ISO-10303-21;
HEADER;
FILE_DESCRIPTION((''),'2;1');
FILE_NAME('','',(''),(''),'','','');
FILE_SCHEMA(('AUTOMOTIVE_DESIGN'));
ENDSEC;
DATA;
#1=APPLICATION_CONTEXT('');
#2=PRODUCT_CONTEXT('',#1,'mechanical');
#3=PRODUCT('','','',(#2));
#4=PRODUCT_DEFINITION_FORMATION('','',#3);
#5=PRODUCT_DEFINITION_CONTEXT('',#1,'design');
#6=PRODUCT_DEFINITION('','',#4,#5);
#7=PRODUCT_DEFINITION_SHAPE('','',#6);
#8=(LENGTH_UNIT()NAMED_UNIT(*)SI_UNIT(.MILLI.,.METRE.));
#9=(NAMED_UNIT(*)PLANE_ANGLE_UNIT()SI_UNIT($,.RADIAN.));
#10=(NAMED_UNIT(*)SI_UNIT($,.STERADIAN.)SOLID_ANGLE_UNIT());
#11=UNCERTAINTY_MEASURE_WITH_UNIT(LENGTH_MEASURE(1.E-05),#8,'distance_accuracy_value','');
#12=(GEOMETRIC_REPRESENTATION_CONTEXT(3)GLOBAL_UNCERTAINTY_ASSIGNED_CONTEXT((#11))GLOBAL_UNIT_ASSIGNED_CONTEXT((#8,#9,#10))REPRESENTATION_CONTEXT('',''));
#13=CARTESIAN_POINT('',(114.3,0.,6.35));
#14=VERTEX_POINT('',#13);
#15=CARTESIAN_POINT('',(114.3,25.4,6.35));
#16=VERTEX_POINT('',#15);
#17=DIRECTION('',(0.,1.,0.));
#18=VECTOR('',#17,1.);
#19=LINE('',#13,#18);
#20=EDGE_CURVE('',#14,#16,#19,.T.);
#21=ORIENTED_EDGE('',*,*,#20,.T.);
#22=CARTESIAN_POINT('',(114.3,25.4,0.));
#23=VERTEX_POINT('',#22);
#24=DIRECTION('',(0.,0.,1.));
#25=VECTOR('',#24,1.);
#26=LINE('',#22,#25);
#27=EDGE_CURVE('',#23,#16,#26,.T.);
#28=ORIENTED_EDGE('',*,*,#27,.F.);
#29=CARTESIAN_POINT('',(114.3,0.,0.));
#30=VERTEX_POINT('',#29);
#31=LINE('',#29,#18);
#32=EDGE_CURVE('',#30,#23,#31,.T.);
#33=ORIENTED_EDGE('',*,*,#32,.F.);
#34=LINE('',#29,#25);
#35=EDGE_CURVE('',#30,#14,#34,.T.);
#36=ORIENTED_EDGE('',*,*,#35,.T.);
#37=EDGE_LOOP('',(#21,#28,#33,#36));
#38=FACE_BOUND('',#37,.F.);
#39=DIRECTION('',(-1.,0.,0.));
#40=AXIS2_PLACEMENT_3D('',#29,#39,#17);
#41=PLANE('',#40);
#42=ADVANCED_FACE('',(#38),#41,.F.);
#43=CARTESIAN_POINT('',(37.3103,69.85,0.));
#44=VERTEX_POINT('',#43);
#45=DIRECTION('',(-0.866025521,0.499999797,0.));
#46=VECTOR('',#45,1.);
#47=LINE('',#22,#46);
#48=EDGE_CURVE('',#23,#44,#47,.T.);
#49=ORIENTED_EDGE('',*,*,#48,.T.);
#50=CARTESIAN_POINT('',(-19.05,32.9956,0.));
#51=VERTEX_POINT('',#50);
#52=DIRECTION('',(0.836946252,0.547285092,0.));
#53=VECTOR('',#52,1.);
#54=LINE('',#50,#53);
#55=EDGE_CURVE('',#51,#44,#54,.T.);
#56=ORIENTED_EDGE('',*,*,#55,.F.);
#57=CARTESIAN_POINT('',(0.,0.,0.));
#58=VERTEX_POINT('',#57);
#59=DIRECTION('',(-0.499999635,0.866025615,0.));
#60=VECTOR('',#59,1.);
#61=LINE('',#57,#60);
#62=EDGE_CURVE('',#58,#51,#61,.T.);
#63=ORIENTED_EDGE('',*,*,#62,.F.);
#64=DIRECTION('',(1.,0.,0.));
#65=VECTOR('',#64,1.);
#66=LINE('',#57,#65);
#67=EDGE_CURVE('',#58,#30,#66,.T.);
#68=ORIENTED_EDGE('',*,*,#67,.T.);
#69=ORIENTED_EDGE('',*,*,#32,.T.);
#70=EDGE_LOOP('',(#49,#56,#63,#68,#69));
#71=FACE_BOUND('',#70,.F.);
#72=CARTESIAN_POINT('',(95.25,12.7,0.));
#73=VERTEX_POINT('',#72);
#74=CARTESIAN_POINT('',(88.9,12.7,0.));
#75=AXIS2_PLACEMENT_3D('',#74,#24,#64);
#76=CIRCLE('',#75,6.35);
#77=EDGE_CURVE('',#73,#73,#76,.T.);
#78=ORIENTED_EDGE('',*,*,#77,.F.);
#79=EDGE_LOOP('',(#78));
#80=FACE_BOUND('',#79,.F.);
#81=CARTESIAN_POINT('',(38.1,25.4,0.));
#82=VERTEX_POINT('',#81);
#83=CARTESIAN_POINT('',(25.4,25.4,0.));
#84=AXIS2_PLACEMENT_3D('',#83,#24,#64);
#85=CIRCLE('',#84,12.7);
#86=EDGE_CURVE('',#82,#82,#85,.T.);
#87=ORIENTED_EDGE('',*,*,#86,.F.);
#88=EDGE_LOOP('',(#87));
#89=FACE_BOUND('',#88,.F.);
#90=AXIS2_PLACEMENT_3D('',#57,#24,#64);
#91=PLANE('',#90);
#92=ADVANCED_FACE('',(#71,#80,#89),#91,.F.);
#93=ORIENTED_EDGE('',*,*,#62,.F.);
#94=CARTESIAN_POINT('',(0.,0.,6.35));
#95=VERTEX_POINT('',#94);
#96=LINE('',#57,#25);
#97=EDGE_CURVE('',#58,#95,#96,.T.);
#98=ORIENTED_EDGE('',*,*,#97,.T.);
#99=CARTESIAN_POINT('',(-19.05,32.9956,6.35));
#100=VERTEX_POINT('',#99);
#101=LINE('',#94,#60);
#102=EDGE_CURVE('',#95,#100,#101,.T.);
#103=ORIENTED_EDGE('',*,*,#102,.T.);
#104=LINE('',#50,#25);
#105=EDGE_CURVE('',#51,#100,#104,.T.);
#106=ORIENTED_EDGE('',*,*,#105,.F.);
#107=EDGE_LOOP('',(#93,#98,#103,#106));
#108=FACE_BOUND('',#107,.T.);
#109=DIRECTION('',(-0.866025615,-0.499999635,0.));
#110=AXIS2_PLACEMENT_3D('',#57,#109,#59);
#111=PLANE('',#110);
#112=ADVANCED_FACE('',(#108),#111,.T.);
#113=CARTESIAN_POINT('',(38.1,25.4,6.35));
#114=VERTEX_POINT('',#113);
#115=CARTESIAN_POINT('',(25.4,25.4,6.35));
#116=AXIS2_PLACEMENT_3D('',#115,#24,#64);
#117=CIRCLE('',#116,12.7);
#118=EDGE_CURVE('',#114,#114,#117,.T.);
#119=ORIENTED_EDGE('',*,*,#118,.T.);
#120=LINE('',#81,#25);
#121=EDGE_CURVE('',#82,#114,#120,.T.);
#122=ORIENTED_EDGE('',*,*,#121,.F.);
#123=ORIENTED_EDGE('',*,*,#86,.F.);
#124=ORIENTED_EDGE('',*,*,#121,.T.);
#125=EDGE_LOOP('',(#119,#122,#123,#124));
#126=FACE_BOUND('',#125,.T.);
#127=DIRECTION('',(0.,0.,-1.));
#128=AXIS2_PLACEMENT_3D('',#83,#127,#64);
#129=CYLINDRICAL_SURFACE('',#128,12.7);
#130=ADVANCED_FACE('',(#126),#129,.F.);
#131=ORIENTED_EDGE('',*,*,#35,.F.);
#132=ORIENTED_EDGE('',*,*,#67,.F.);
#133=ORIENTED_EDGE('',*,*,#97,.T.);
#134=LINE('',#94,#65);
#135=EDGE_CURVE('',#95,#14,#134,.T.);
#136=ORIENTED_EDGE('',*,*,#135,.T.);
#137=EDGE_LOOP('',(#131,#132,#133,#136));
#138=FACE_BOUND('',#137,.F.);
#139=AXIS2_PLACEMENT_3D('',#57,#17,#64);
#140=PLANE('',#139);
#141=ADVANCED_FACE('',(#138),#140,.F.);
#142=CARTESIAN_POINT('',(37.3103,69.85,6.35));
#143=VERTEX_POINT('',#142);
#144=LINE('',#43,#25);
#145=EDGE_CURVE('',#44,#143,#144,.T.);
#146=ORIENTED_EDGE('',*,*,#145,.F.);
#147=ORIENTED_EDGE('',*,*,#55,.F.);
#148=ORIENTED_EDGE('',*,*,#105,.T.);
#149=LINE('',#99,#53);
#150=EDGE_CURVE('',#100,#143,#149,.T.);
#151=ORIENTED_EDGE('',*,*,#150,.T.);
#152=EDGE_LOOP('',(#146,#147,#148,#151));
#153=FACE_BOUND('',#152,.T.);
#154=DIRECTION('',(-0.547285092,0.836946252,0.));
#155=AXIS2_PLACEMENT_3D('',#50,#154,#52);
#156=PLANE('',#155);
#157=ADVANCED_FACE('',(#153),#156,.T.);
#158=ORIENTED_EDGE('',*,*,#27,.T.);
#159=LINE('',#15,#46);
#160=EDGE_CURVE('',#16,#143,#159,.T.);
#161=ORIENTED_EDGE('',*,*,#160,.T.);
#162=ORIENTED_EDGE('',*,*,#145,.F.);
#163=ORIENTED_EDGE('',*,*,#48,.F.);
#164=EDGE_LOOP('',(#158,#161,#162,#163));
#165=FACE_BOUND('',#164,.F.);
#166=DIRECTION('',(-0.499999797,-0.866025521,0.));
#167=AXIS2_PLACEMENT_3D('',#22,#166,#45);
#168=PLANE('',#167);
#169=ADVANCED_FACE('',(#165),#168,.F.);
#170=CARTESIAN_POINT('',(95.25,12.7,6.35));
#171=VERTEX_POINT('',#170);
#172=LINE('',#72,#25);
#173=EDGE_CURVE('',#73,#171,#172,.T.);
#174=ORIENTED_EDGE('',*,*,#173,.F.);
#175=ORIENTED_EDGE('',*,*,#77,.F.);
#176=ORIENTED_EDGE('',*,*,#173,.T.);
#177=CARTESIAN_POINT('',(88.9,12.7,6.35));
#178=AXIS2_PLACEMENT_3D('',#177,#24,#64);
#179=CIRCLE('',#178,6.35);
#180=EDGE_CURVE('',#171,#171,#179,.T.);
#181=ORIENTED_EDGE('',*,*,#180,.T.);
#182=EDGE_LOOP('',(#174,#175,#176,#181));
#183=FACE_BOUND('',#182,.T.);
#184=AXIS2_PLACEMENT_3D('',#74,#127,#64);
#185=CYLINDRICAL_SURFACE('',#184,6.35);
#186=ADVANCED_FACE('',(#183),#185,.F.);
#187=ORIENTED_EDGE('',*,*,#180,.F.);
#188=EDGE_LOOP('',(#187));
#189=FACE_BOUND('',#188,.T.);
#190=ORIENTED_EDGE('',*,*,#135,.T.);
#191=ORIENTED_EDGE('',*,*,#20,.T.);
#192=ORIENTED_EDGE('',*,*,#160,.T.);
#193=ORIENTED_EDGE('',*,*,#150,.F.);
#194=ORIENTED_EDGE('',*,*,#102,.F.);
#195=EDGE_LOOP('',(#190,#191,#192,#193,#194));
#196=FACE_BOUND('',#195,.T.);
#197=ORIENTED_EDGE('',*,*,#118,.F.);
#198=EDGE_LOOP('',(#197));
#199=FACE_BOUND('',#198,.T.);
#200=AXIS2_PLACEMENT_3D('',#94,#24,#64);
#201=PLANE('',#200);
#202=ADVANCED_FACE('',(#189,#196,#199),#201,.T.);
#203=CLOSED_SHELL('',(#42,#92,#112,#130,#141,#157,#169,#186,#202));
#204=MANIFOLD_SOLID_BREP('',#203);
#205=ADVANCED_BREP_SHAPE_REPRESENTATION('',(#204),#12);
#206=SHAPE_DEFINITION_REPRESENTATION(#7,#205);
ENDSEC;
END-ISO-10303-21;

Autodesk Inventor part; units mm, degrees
ref_plane "YZ Plane" through (0, 0, 0) normal (1, 0, 0) x (0, 1, 0)
ref_plane "XZ Plane" through (0, 0, 0) normal (0, 1, 0) x (-1, 0, 0)
ref_plane "XY Plane" through (0, 0, 0) normal (0, 0, 1) x (1, 0, 0)
sketch "Sketch1" plane through (0, 0, 0) normal (0, 0, 1) x (1, 0, 0)
  line L0 (114.3, 0) -> (114.3, 25.4)
  line L1 (114.3, 25.4) -> (37.3103, 69.85)
  line L2 (0, 0) -> (-19.05, 32.9956)
  line L3 (-19.05, 32.9956) -> (37.3103, 69.85)
  circle A0 centre (25.4, 25.4) radius 12.7
  circle A1 centre (88.9, 12.7) radius 6.35
  line L4 (0, 0) -> (114.3, 0)
  dimension "d1" = 25.4
  dimension "d2" = 88.9
  dimension "d4" = 38.1
  dimension "d8" = 25.4
  dimension "d11" = 12.7
extrude "Extrusion1" add sketch "Sketch1" along normal blind 6.35
properties part number "Assignment 1.5 - Slider Block"
